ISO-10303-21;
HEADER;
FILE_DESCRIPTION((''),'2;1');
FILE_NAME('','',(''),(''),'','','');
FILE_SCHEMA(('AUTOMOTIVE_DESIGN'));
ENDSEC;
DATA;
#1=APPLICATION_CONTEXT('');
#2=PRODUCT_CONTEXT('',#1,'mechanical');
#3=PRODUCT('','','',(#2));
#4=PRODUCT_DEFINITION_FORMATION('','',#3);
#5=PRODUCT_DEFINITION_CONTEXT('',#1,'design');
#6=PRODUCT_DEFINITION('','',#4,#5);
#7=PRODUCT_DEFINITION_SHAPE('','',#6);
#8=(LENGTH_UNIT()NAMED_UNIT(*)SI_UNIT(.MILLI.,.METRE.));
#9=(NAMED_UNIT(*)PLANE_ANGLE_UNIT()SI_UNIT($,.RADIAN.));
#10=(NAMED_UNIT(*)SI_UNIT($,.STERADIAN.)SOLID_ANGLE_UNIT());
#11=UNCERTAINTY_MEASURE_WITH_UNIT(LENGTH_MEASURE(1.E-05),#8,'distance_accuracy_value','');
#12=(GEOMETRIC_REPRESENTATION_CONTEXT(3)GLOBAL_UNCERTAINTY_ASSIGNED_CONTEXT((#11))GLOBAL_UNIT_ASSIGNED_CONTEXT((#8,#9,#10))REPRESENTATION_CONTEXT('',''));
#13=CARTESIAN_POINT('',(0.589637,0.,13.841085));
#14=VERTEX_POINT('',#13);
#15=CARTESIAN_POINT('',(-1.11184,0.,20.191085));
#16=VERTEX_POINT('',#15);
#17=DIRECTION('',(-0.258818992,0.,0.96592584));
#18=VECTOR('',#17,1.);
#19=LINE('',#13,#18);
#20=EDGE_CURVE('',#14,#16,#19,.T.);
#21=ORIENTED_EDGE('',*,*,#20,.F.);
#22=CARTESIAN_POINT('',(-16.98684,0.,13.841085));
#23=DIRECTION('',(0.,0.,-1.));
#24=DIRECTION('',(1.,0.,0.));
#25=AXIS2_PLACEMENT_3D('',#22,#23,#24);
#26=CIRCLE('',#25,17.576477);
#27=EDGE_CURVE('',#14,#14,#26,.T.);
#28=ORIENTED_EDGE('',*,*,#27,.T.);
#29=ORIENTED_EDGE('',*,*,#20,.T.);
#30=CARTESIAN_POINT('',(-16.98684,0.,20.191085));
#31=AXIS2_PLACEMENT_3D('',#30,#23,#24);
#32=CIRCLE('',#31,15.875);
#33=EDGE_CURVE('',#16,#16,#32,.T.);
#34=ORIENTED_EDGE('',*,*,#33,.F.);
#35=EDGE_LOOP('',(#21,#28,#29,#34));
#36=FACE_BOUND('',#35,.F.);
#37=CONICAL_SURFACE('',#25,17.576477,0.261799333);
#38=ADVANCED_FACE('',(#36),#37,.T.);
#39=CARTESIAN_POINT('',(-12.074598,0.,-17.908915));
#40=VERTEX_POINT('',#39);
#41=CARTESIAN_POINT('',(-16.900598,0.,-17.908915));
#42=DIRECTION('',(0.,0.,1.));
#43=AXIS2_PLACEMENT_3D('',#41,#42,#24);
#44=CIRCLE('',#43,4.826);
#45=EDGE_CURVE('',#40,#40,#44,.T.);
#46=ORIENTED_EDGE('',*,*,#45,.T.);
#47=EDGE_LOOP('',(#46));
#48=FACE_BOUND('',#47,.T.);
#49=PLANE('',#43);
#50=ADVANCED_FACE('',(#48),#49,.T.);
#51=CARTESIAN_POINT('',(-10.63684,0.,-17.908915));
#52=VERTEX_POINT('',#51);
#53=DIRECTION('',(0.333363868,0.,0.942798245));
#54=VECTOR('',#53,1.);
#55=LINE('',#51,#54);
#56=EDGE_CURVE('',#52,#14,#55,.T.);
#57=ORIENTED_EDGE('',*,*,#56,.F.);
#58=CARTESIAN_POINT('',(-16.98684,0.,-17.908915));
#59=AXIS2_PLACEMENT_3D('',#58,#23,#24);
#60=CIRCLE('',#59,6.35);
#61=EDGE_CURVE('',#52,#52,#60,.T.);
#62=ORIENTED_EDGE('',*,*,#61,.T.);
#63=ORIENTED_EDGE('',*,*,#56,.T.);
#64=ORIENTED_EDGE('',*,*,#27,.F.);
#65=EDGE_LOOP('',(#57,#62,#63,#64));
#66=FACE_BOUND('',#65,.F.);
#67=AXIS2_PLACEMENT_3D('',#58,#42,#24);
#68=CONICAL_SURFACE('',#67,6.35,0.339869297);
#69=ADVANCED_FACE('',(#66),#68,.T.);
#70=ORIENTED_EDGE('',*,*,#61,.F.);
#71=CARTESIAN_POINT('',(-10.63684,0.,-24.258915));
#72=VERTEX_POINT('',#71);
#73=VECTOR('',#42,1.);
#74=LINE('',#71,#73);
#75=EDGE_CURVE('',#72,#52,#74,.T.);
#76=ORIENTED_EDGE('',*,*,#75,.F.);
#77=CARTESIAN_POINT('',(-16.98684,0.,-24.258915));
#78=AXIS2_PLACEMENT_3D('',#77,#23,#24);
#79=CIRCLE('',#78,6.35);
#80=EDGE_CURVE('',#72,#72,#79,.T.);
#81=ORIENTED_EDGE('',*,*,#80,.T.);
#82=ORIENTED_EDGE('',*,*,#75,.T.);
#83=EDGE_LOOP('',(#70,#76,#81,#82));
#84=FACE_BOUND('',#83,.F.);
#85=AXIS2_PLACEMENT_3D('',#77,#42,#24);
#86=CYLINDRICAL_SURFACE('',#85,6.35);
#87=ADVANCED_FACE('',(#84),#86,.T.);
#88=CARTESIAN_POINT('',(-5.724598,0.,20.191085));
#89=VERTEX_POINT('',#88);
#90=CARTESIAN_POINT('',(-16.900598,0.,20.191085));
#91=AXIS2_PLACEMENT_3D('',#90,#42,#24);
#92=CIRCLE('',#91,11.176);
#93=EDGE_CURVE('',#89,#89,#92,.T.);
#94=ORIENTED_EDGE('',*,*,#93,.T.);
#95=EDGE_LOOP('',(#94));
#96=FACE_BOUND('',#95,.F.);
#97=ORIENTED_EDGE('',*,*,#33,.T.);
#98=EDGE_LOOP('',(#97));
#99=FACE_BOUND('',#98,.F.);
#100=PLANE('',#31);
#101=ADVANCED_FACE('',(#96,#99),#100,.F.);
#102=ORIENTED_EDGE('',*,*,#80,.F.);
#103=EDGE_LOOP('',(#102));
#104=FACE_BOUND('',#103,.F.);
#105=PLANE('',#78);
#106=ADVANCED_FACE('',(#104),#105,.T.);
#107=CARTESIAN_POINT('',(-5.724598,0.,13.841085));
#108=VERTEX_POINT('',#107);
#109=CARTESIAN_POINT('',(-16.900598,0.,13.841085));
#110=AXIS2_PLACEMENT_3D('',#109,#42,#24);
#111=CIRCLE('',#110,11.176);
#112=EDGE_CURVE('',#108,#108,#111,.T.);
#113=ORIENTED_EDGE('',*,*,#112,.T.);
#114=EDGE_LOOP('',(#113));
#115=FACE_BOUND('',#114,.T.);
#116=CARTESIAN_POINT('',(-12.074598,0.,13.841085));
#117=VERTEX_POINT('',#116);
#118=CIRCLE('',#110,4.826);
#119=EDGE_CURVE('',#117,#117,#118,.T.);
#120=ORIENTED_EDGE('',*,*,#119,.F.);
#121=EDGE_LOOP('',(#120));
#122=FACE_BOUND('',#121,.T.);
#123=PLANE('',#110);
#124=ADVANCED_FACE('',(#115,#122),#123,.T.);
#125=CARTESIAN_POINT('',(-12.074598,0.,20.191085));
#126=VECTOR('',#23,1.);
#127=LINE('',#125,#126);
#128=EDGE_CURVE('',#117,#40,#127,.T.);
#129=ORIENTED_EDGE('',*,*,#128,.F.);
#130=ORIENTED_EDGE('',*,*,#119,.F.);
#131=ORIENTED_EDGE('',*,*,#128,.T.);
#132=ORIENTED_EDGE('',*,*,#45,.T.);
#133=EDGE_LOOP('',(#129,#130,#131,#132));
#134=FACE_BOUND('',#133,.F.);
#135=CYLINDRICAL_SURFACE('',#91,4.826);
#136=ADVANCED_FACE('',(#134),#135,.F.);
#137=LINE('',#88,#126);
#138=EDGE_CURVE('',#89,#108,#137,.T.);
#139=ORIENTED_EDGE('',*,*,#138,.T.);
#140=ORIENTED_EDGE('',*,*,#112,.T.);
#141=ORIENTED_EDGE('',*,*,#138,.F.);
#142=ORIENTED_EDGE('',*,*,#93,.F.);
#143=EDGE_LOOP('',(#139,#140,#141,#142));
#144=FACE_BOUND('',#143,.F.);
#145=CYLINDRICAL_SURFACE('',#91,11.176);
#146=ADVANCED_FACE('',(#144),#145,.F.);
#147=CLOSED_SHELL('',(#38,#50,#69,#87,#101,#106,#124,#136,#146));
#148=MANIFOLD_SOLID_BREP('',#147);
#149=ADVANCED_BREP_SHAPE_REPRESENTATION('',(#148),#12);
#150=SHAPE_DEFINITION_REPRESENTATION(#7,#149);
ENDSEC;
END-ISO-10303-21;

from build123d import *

# Parameters (mm, degrees)
F2_R     = 4.826
F3_DEPTH = 38.1
F2_R_2   = 11.176
F4_DEPTH = 6.35


with BuildPart() as f1:
    # F0 (on Front) → F1 (revolve)
    with BuildSketch(Plane.XZ):
        Polygon((-16.98684, -24.258915), (-10.63684, -24.258915), (-10.63684, -17.908915), (0.589637, 13.841085), (-1.11184, 20.191085), (-16.98684, 20.191085), align=None)
    revolve(axis=Axis((-16.98684, 0, -2.033915), (0, 0, -1)))

    # F2 (on face) → F3 (cut)
    with BuildSketch(Plane.XY.offset(20.191085)):
        with Locations((-16.900598, 0)):
            Circle(F2_R)
    extrude(amount=-F3_DEPTH, mode=Mode.SUBTRACT)

    # F2 (on face) → F4 (cut)
    with BuildSketch(Plane.XY.offset(20.191085)):
        with Locations((-16.900598, 0)):
            Circle(F2_R_2)
        with Locations((-16.900598, 0)):
            Circle(F2_R, mode=Mode.SUBTRACT)
    extrude(amount=-F4_DEPTH, mode=Mode.SUBTRACT)


solid = f1.part
